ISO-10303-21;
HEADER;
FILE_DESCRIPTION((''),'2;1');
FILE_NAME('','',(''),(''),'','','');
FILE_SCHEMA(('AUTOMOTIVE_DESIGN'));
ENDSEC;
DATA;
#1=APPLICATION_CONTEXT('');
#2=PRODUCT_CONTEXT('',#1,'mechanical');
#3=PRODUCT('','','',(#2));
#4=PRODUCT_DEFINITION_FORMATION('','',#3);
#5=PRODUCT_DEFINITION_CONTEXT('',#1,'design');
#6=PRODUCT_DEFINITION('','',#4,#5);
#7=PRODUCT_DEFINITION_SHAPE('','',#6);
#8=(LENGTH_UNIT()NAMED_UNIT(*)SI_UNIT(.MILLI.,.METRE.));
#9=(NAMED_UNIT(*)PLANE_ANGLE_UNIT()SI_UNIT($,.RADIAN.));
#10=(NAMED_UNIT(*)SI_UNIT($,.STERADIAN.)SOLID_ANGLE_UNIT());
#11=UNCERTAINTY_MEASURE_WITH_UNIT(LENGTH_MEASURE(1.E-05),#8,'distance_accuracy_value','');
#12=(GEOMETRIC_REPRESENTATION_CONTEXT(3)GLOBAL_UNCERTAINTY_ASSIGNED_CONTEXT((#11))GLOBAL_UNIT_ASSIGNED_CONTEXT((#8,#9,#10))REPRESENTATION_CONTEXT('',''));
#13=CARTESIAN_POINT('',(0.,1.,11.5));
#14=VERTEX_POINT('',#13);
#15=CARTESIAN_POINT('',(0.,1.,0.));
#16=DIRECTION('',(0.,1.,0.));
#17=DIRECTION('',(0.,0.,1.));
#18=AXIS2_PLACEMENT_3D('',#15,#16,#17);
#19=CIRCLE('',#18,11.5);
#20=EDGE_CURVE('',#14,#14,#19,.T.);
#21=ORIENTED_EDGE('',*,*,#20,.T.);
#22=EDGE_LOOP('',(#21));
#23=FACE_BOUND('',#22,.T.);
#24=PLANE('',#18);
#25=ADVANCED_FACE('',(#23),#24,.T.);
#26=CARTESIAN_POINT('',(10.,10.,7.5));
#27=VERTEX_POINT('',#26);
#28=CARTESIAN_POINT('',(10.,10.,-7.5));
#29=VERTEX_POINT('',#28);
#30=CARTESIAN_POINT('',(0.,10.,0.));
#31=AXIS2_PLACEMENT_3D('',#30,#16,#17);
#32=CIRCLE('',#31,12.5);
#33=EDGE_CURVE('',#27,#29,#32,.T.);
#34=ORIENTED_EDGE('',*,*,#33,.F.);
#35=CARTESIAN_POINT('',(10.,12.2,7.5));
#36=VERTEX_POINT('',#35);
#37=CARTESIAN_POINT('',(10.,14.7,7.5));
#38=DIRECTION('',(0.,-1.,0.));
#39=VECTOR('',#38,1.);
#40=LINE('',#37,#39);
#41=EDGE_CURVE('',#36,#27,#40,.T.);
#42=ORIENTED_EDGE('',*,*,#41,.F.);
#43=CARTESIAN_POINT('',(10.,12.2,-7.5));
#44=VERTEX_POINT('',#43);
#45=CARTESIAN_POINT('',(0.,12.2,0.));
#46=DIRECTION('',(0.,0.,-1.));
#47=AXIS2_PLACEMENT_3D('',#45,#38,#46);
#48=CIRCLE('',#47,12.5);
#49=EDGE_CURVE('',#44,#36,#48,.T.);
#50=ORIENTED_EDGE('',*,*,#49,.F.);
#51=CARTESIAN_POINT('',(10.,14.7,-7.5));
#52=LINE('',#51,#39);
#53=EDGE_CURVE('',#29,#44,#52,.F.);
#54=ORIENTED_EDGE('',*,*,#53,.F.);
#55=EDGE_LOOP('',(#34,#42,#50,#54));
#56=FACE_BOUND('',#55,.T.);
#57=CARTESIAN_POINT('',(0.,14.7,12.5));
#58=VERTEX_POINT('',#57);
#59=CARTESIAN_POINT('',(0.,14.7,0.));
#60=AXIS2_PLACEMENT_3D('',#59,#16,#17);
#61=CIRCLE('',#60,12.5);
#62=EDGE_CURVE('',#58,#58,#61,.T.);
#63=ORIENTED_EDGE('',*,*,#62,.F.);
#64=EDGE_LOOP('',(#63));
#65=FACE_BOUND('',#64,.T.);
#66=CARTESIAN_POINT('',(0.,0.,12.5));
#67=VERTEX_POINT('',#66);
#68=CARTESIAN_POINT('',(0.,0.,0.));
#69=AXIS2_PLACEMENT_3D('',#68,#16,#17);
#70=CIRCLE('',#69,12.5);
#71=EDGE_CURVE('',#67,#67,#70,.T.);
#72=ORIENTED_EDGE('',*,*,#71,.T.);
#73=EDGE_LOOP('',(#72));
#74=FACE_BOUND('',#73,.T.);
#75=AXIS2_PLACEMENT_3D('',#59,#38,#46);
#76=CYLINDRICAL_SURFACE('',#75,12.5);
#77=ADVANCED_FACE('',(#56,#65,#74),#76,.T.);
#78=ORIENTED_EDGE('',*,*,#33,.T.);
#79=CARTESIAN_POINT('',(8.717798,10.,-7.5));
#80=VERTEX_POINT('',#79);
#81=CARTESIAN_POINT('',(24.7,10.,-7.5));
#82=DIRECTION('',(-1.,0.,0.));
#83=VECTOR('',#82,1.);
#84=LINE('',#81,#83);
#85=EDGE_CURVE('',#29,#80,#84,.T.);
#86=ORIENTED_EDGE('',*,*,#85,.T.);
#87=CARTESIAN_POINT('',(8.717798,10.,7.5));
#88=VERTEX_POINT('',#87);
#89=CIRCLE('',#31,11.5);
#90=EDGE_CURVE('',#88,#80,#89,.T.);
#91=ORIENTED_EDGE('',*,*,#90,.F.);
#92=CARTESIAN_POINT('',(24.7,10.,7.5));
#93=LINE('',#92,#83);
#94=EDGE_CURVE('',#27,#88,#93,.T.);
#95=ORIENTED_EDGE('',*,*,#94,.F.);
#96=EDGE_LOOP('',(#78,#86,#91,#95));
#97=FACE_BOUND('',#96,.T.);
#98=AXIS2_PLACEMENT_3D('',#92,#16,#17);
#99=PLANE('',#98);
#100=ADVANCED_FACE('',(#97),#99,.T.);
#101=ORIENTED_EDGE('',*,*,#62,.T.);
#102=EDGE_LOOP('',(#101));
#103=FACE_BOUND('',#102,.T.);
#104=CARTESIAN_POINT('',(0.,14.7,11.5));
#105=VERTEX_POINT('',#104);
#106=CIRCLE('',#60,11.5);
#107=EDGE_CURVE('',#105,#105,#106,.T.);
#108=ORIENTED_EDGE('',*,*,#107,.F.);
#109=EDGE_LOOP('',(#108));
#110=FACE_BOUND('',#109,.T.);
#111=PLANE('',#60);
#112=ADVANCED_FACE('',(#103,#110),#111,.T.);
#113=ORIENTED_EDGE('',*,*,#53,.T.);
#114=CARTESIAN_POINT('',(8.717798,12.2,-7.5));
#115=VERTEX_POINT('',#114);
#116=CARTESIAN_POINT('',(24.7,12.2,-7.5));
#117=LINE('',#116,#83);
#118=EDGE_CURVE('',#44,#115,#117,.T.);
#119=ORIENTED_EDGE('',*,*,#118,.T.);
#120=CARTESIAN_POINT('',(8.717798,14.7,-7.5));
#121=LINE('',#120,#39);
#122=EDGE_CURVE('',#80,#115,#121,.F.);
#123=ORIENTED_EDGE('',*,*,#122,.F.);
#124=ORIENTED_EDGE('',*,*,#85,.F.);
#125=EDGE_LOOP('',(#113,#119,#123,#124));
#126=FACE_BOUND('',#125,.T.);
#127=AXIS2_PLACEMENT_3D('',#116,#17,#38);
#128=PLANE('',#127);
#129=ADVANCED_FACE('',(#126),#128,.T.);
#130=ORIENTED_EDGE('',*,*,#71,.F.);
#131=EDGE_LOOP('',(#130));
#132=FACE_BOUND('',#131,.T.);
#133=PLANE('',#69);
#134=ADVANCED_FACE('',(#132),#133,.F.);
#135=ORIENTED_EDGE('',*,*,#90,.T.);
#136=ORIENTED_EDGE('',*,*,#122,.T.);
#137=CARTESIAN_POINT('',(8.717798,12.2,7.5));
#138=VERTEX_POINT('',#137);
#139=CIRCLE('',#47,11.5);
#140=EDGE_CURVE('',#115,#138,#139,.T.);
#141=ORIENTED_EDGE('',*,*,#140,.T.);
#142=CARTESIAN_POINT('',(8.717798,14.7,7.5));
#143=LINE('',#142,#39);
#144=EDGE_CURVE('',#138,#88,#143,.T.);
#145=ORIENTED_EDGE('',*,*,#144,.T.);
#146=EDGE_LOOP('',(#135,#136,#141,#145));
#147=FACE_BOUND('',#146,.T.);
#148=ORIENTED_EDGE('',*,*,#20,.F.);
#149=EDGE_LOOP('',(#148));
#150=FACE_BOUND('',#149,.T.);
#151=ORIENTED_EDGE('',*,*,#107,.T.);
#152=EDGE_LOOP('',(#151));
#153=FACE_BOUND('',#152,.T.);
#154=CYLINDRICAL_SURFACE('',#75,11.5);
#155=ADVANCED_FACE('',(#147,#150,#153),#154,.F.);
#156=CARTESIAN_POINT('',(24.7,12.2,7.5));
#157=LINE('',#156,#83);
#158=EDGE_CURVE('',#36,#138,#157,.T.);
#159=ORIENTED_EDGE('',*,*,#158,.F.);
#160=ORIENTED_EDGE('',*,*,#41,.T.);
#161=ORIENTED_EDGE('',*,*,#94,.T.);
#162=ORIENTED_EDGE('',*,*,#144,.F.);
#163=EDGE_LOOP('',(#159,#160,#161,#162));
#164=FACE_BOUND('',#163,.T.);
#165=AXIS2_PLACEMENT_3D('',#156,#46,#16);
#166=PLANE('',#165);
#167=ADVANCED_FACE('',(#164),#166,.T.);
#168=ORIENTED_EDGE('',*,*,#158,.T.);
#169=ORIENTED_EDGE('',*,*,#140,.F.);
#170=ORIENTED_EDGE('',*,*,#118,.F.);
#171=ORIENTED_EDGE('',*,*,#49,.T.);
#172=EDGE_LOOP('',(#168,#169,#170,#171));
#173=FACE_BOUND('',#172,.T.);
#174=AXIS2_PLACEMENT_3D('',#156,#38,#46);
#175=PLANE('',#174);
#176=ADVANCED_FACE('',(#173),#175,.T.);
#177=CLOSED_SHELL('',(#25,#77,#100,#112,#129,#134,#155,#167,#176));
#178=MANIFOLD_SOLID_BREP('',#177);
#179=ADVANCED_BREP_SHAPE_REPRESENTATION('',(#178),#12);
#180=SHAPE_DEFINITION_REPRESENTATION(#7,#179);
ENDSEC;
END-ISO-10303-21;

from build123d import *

# Parameters (mm, degrees)
SKETCH1_R           = 12.5
BOSS_EXTRUDE1_DEPTH = 14.7
SHELL1_T            = -1
SKETCH2_W           = 15
SKETCH2_H           = 2.2
CUT_EXTRUDE1_DEPTH  = 24.7


with BuildPart() as part:
    # Sketch1 → Boss-Extrude1 (new body)
    with BuildSketch(Plane(origin=(0, 0, 0), x_dir=(1, 0, 0), z_dir=(0, 1, 0))):
        with Locations(Location((0, 0, 0), (0, 0, 270))):
            Circle(SKETCH1_R)
    extrude(amount=BOSS_EXTRUDE1_DEPTH)

    # Shell1
    shell1_openings = [part.faces().sort_by_distance(p)[0] for p in [
        (0, 14.7, 0),
    ]]
    offset(amount=SHELL1_T, openings=shell1_openings, kind=Kind.INTERSECTION)

    # Sketch2 → Cut-Extrude1 (cut)
    with BuildSketch(Plane(origin=(0, 0, 0), x_dir=(0, 0, -1), z_dir=(1, 0, 0))):
        with Locations((0, 11.1)):
            Rectangle(SKETCH2_W, SKETCH2_H)
    extrude(amount=CUT_EXTRUDE1_DEPTH, mode=Mode.SUBTRACT)


solid = part.part
